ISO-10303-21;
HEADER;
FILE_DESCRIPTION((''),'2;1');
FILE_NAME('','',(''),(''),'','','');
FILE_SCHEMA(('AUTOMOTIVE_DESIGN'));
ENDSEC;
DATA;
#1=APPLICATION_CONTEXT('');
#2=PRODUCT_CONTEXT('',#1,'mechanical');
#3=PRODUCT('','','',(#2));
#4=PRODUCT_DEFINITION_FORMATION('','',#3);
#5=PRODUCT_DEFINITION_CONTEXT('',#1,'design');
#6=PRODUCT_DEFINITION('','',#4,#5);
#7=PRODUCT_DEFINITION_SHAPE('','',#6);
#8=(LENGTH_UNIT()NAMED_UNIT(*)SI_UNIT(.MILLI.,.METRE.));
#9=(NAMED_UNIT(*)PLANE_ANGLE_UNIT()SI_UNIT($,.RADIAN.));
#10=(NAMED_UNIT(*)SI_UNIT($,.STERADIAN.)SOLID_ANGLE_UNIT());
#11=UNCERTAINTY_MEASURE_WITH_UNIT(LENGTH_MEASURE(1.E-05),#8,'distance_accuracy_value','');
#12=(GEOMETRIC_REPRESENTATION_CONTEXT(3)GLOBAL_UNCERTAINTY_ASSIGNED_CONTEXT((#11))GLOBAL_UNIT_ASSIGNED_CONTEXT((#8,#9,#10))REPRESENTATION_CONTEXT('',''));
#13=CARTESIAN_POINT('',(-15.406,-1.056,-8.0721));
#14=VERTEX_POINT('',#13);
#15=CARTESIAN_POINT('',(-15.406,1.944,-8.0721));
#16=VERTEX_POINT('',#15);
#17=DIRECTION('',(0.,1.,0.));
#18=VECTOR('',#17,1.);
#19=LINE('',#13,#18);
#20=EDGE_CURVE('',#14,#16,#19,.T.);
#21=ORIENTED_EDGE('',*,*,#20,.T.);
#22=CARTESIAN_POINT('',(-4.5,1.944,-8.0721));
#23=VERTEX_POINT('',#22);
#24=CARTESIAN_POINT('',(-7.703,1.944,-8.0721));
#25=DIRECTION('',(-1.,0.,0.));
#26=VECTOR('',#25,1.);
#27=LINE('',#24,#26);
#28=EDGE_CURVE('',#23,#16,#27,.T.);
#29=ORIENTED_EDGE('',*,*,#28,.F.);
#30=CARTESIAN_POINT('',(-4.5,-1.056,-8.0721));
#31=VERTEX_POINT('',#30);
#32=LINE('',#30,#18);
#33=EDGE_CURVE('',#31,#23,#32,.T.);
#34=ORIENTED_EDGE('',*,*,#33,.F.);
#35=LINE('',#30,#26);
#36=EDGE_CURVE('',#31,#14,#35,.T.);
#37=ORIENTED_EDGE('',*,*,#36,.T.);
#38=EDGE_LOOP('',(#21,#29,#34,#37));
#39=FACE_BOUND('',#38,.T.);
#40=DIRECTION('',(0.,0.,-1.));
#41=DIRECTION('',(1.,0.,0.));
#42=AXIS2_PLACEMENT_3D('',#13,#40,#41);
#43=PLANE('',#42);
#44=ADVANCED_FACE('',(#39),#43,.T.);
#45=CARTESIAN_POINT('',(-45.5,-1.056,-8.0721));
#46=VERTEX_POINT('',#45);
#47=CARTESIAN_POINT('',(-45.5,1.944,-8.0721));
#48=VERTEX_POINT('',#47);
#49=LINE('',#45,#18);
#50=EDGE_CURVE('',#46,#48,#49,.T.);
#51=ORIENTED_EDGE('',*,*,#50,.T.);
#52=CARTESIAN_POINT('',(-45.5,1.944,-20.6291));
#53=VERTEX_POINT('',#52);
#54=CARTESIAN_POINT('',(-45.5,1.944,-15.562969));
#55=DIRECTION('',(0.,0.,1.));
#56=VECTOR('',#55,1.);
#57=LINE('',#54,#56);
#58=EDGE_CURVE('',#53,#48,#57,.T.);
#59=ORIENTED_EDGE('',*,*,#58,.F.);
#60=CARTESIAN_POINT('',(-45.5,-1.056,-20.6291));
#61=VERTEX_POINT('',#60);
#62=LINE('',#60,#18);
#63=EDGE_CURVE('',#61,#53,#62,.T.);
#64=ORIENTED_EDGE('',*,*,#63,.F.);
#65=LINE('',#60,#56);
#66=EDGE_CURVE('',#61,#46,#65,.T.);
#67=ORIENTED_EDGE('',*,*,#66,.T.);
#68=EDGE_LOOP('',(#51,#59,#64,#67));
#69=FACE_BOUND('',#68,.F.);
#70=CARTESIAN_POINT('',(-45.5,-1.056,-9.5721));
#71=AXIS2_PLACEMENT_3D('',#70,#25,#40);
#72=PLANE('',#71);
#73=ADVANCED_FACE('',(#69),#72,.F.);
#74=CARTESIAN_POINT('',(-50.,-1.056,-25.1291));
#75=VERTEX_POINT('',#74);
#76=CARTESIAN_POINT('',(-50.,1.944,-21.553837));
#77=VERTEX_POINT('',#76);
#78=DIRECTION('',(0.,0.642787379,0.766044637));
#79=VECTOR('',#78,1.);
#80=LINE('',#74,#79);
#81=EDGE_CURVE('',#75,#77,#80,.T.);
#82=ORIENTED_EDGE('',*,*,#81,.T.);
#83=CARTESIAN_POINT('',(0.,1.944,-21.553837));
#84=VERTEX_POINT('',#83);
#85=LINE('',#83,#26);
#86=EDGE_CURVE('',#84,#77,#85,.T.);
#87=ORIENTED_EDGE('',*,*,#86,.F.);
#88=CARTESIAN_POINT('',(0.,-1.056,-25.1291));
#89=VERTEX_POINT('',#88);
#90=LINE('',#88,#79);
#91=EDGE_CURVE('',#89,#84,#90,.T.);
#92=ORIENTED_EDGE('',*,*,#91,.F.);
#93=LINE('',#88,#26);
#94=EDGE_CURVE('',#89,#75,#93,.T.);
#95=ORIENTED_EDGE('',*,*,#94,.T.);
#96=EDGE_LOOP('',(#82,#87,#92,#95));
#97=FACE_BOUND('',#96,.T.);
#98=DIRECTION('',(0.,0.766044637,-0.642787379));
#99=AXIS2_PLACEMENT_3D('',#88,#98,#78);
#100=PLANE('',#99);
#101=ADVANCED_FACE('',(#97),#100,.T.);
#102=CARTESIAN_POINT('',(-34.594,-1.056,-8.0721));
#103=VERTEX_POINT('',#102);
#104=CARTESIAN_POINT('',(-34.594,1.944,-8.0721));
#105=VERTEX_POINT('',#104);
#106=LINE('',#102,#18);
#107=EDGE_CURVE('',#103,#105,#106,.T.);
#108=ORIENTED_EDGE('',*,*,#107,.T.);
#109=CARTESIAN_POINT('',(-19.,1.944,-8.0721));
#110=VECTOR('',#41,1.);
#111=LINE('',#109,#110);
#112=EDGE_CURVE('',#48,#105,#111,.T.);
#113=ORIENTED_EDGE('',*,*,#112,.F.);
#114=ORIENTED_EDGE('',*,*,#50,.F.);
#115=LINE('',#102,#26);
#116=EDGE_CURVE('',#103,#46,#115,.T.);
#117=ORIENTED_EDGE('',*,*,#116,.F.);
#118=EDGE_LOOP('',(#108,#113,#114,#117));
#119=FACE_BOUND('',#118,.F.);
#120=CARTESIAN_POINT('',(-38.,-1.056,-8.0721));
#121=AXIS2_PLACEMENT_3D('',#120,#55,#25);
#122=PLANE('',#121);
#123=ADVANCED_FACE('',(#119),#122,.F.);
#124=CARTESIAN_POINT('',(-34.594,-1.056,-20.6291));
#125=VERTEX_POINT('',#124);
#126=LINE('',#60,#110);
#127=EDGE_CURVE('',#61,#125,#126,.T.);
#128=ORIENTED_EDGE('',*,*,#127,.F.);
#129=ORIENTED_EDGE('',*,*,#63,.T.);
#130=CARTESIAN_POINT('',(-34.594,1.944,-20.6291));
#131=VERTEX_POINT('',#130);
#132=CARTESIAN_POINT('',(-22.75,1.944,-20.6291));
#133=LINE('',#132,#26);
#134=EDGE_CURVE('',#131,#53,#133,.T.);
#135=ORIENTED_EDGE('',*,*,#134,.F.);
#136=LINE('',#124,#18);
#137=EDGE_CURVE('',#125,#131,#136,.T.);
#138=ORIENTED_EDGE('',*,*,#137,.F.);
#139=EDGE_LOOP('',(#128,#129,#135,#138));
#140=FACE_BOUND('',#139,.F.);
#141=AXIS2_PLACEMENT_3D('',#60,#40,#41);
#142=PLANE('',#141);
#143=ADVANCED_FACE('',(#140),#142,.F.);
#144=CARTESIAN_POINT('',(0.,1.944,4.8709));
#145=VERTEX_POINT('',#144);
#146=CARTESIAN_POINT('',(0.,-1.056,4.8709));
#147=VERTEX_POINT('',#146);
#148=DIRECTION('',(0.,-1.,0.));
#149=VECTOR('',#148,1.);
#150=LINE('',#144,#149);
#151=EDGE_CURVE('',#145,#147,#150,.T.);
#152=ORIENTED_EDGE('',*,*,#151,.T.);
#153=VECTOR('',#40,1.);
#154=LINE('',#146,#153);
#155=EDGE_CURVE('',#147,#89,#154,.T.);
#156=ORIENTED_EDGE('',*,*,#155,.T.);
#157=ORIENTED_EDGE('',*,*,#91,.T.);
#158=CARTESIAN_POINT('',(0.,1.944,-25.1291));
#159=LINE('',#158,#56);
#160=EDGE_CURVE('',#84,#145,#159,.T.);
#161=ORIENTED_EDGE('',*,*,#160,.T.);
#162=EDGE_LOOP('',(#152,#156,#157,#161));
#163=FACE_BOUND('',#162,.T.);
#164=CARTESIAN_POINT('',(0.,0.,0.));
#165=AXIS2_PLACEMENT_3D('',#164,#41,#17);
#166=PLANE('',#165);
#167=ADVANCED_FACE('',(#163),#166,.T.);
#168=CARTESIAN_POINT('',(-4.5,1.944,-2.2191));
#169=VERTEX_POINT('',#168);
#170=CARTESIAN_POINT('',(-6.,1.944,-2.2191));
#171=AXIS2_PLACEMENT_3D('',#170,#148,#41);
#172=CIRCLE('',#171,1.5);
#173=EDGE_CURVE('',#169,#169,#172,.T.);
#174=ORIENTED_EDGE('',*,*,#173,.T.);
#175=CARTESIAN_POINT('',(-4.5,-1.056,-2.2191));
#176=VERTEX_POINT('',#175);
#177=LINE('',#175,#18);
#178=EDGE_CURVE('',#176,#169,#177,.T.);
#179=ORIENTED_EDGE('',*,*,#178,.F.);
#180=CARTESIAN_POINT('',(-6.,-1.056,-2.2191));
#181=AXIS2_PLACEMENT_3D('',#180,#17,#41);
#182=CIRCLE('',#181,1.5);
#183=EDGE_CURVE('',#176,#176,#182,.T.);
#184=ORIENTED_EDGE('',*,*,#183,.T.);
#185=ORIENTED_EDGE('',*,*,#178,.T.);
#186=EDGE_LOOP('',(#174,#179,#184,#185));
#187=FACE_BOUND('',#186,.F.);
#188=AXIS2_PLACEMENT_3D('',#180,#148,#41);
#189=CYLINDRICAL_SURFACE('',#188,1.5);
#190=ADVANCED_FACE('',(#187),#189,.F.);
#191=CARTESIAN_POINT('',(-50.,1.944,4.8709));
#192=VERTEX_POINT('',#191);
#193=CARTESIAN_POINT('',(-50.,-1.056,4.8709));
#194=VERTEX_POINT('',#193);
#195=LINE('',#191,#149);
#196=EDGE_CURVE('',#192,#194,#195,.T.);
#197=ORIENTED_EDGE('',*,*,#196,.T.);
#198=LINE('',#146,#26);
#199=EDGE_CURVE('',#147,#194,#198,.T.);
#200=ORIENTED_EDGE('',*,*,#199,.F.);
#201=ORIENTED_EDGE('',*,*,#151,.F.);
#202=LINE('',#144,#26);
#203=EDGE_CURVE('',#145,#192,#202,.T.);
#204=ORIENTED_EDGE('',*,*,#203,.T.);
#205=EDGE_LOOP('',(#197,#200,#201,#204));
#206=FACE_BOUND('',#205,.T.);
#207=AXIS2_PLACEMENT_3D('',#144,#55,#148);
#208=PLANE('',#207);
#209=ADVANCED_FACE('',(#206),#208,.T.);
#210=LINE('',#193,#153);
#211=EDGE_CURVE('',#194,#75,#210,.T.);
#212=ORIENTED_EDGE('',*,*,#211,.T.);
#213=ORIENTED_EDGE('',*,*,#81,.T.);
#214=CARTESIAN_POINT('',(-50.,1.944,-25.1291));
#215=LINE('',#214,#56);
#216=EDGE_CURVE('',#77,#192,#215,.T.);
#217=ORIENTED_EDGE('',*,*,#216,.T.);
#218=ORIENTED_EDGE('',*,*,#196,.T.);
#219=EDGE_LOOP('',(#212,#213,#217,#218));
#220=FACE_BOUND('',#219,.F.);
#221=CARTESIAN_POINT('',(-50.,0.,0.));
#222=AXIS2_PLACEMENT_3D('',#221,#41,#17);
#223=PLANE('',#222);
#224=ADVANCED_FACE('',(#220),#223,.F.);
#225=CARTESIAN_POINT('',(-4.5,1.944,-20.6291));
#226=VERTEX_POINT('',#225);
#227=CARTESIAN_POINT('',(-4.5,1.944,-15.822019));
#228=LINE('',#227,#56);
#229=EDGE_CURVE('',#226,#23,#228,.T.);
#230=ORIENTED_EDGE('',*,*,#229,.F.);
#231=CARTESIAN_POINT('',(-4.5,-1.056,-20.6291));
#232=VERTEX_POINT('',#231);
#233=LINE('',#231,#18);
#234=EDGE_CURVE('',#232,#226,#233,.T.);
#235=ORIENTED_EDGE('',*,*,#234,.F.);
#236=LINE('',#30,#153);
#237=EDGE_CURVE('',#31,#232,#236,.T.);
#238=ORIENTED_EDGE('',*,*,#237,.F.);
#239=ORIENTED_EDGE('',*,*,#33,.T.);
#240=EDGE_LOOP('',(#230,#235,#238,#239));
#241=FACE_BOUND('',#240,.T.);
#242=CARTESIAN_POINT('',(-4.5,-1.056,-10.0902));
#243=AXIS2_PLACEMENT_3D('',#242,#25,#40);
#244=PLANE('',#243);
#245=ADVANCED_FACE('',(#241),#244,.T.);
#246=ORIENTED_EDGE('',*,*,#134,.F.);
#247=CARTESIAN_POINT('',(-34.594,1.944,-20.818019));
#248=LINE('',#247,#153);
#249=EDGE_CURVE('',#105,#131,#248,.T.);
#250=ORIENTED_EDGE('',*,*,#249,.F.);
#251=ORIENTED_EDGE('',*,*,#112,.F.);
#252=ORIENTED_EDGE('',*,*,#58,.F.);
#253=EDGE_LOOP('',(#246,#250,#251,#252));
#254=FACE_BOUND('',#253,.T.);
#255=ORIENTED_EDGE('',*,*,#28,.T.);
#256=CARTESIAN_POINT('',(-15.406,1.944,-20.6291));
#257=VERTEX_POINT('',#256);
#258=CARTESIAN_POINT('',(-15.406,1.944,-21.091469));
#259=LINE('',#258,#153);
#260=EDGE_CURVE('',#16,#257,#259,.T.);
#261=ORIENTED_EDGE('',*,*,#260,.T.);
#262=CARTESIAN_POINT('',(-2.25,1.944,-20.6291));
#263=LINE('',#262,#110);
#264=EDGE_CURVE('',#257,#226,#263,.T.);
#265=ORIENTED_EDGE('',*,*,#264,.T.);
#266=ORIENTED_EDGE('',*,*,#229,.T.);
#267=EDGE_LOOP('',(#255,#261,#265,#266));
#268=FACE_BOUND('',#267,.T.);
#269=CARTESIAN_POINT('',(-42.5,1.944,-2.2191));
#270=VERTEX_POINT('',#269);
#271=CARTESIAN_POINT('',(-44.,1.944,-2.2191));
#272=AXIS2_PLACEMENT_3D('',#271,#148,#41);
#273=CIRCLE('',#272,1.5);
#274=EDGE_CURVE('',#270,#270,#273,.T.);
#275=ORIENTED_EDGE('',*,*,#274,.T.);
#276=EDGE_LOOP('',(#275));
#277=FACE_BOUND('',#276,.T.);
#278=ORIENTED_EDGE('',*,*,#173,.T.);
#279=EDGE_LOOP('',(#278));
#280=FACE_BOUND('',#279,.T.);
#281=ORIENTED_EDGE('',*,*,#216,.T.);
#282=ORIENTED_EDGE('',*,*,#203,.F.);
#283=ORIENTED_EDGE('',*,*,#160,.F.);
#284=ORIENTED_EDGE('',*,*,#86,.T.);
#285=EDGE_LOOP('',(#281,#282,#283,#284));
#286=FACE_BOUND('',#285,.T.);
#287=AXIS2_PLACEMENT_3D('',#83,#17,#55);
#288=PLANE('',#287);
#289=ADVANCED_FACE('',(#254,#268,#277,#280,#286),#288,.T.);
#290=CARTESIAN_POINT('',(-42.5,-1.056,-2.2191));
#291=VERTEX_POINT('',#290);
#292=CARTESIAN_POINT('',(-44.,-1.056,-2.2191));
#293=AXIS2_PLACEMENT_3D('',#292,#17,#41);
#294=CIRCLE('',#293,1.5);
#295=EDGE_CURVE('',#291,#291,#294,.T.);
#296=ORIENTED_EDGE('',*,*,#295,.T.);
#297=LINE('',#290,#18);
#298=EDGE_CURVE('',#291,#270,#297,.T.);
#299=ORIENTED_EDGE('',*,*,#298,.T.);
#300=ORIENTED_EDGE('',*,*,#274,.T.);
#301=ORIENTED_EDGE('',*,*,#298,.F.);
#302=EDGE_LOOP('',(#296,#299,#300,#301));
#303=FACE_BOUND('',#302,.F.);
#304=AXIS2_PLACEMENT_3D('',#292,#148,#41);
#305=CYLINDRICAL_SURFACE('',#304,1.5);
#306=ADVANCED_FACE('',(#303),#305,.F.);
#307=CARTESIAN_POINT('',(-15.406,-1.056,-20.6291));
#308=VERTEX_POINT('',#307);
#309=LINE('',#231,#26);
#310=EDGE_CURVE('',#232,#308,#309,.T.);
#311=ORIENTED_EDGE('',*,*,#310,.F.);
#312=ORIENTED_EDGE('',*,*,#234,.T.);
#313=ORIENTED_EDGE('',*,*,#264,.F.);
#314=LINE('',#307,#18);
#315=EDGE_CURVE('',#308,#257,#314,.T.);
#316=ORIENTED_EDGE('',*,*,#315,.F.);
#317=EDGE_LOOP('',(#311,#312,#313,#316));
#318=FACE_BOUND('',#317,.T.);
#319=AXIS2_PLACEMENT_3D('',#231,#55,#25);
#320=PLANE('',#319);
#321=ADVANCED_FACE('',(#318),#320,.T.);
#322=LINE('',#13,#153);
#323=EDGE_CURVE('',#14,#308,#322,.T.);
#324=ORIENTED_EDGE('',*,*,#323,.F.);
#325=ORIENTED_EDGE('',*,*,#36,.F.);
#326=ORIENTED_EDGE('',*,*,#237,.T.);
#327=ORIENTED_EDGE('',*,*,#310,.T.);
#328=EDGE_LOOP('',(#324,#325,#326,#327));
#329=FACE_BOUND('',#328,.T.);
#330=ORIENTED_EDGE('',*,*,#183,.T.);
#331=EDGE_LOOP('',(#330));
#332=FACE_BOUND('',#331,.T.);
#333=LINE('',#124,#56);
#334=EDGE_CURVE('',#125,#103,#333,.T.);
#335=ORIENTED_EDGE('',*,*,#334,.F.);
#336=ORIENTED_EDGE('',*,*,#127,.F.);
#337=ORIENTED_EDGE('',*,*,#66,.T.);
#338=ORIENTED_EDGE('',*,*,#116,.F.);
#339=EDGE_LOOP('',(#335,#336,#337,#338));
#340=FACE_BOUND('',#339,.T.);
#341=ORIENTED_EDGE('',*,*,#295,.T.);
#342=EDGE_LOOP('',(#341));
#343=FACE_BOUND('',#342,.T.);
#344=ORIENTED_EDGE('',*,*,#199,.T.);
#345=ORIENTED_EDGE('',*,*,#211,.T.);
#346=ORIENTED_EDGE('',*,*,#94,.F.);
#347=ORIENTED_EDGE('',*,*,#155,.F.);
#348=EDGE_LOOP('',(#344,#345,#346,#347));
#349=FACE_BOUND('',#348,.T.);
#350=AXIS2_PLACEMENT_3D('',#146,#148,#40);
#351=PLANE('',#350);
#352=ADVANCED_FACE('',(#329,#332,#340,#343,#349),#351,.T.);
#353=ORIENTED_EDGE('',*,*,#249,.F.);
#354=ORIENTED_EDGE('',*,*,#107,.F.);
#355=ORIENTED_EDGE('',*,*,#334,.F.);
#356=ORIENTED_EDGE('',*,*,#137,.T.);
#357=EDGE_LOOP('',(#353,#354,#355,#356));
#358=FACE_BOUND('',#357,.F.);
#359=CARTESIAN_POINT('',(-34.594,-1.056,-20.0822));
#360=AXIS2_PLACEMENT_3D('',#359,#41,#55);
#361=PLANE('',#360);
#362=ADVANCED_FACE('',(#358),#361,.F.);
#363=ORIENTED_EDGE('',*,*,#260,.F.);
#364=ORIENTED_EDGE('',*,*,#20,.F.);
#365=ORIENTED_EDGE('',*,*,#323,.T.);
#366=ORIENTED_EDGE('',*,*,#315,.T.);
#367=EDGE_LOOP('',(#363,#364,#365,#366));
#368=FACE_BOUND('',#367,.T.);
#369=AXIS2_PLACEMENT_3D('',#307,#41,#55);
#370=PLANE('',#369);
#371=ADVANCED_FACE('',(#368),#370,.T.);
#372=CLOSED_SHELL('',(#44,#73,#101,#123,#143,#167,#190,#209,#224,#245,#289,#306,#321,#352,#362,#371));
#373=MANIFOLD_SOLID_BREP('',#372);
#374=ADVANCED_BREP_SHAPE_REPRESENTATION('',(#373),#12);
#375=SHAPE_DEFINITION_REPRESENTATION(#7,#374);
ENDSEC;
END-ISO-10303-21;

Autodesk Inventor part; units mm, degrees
ref_plane "YZ Plane" through (0, 0, 0) normal (1, 0, 0) x (0, 1, 0)
ref_plane "XZ Plane" through (0, 0, 0) normal (0, 1, 0) x (-1, 0, 0)
ref_plane "XY Plane" through (0, 0, 0) normal (0, 0, 1) x (1, 0, 0)
sketch "Sketch1" plane through (0, 0, 0) normal (1, 0, 0) x (0, 1, 0)
  line L0 (1.944, 4.8709) -> (-1.056, 4.8709)
  line L1 (-1.056, 4.8709) -> (-1.056, -25.1291)
  line L2 (-1.056, -25.1291) -> (1.944, -25.1291)
  line L3 (1.944, -25.1291) -> (1.944, 4.8709)
  line L4 (-1.056, -25.1291) -> (9.6963, -12.315)
  point P0 (0, 0)
  point P1 (1.944, -21.5539)
  dimension "d0" = 3
  dimension "d1" = 30
  dimension "d2" = 40
extrude "Extrusion1" add sketch "Sketch1" against normal blind 50 contours L3 L4 L1 L0
sketch "Szkic2" plane through (0, -1.056, -25.1291) normal (0, -1, 0) x (1, 0, 0)
  line L0 (0, 30) -> (0, 0)
  line L1 (0, 30) -> (-50, 30)
  line L2 (-50, 0) -> (-50, 30)
  line L3 (0, 0) -> (-50, 0)
  line L4 (-35.094, 16.557) -> (-35.094, 5.254)
  line L5 (-45, 5) -> (-35.348, 5)
  line L6 (-45, 5) -> (-45, 16.43)
  line L7 (-44.873, 16.557) -> (-35.094, 16.557)
  circle A0 centre (-39.92, 11.35) radius 1
  line L8 (-25, 0) -> (-25, 30)
  line L9 (-35.094, 5.254) -> (-35.348, 5)
  line L10 (-45.5, 16.43) -> (-45.5, 4.5)
  line L11 (-45.5, 4.5) -> (-35.1409, 4.5)
  line L12 (-34.594, 5.0469) -> (-34.594, 17.057)
  line L13 (-34.594, 17.057) -> (-44.873, 17.057)
  line L14 (-35.1409, 4.5) -> (-35.094, 4.5469)
  line L15 (-34.6409, 5) -> (-34.594, 5.0469)
  line L16 (-45.5, 4.5) -> (-34.594, 4.5)
  line L17 (-34.594, 4.5) -> (-34.594, 17.057)
  line L18 (-34.594, 17.057) -> (-45.5, 17.057)
  line L19 (-45.5, 17.057) -> (-45.5, 4.5)
  circle A1 centre (-10.08, 11.35) radius 1
  line L20 (-4.5, 16.43) -> (-4.5, 4.5)
  line L21 (-4.5, 4.5) -> (-14.8591, 4.5)
  line L22 (-15.406, 5.0469) -> (-15.406, 17.057)
  line L23 (-15.406, 17.057) -> (-5.127, 17.057)
  line L24 (-4.5, 4.5) -> (-15.406, 4.5)
  line L25 (-15.406, 4.5) -> (-15.406, 17.057)
  line L26 (-15.406, 17.057) -> (-4.5, 17.057)
  line L27 (-4.5, 17.057) -> (-4.5, 4.5)
  line L28 (0, 4.1492) -> (-50, 4.1492)
  line L29 (-50, 4.1492) -> (-50, 27.66)
  line L30 (-36.5, 27.66) -> (-50, 27.66)
  line L31 (-36.5, 27.66) -> (-36.5, 17.057)
  line L32 (-26.5, 4.66) -> (-36.5, 4.66)
  line L33 (-26.5, 4.66) -> (-26.5, 34.4086)
  line L34 (-23.5, 34.4086) -> (-23.5, 4.66)
  line L35 (-13.5, 4.66) -> (-23.5, 4.66)
  line L36 (-13.5, 4.66) -> (-13.5, 13.5389)
  line L37 (0, 27.66) -> (-13.5, 27.66)
  line L38 (0, 4.1492) -> (0, 27.66)
  line L39 (-50, 4.1492) -> (-44, 4.1492)
  line L40 (-44, 27.66) -> (-50, 27.66)
  line L41 (-50, 27.66) -> (-50, 4.1492)
  line L42 (-50, 27.66) -> (-36.5, 27.66)
  line L43 (-36.5, 27.66) -> (-36.5, 24.66)
  line L44 (-50, 24.66) -> (-50, 27.66)
  circle A2 centre (-10.08, 11.35) radius 1
  circle A3 centre (-39.92, 11.35) radius 1
  line L45 (-6, 27.66) -> (-6, 22.91)
  line L46 (-44, 27.66) -> (-44, 22.91)
  circle A4 centre (-6, 22.91) radius 1.5
  circle A5 centre (-44, 22.91) radius 1.5
  circle A6 centre (-6, 22.91) radius 1.75
  circle A7 centre (-44, 22.91) radius 1.75
  line L47 (-12.975, 17.057) -> (-13.5, 17.057)
  line L48 (-36.5, 17.057) -> (-37.0252, 17.057)
  line L49 (-45.5, 15.557) -> (-45.5, 15.0389)
  line L50 (-37.0252, 13.5389) -> (-36.5, 13.5389)
  line L51 (-36.5, 13.5389) -> (-36.5, 4.66)
  line L52 (-13.5, 13.5389) -> (-12.975, 13.5389)
  line L53 (-4.5, 15.0389) -> (-4.5, 15.557)
  arc A8 (-12, 17.057) -> (-12.975, 16.6969) centre (-12, 15.557) ccw
  line L54 (-12.975, 16.6969) -> (-12.975, 17.057)
  line L55 (-37.0252, 16.697) -> (-37.0252, 17.057)
  arc A9 (-37.0252, 16.697) -> (-38, 17.057) centre (-38, 15.557) ccw
  arc A10 (-44, 17.057) -> (-45.5, 15.557) centre (-44, 15.557) ccw
  arc A11 (-45.5, 15.0389) -> (-44, 13.5389) centre (-44, 15.0389) ccw
  arc A12 (-38, 13.5389) -> (-37.0252, 13.8988) centre (-38, 15.0389) ccw
  line L56 (-37.0252, 13.8988) -> (-37.0252, 13.5389)
  line L57 (-12.975, 13.899) -> (-12.975, 13.5389)
  arc A13 (-12.975, 13.899) -> (-12, 13.5389) centre (-12, 15.0389) ccw
  line L58 (-12, 13.5389) -> (-6, 13.5389)
  arc A14 (-6, 13.5389) -> (-4.5, 15.0389) centre (-6, 15.0389) ccw
  arc A15 (-4.5, 15.557) -> (-6, 17.057) centre (-6, 15.557) ccw
  line L59 (-6, 17.057) -> (-12, 17.057)
  line L60 (-38, 17.057) -> (-44, 17.057)
  line L61 (-44, 13.5389) -> (-38, 13.5389)
  arc A16 (-26.5, 34.4086) -> (-23.5, 34.4086) centre (-25, 35.31) ccw
  line L62 (-13.5, 17.057) -> (-13.5, 27.66)
  point P0 (0, 25.1291)
  point P1 (-45.5, 13.5389)
  point P2 (-4.5, 13.5389)
extrude "Wyciągnięcie proste2" cut sketch "Szkic2" against normal through all contours L35 L36 L52 L57 A13 L58 A14 L20 L21 L24 L25 | L25 L22 L23 L54 A8 A15 L20 A14 L58 A13 L57 L52 L36 L35 | L23 A8 L54 | L32 L51 L50 L56 A12 L61 A11 L10 A10 L13 A9 L55 L12 L17 | L17 L16 L11 L10 A11 L6 L5 L51 L32 | L23 L26 L27 L20 A15 | L5 L6 A11 L61 A12 L56 L50 L51 | L55 A9 L13 | L10 L19 L18 L13 A10 | A0 | A1
sketch "Szkic3" plane through (0, -1.056, -25.1291) normal (0, -1, 0) x (1, 0, 0)
  line L0 (-4.5, 17.057) -> (-4.5, 4.5) projected
  line L1 (-4.5, 4.5) -> (-15.406, 4.5) projected
  line L2 (-15.406, 4.5) -> (-15.406, 17.057) projected
  line L3 (-15.406, 17.057) -> (-4.5, 17.057) projected
  line L4 (-34.594, 17.057) -> (-34.594, 4.5) projected
  line L5 (-34.594, 4.5) -> (-45.5, 4.5) projected
  line L6 (-45.5, 4.5) -> (-45.5, 17.057) projected
  line L7 (-45.5, 17.057) -> (-34.594, 17.057) projected
  line L8 (0, 30) -> (0, 0) projected
  line L9 (0, 30) -> (-50, 30) projected
  line L10 (-50, 0) -> (-50, 30) projected
  line L11 (0, 0) -> (-50, 0) projected
  circle A0 centre (-44, 24.66) radius 1.75 projected
  circle A1 centre (-10.08, 11.35) radius 1 projected
  circle A2 centre (-39.92, 11.35) radius 1 projected
  line L12 (0, 4.1492) -> (-50, 4.1492) projected
  line L13 (-50, 4.1492) -> (-50, 27.66) projected
  line L14 (-36.5, 27.66) -> (-50, 27.66) projected
  line L15 (-36.5, 27.66) -> (-36.5, 17.057) projected
  line L16 (-26.5, 4.66) -> (-36.5, 4.66) projected
  line L17 (-26.5, 4.66) -> (-26.5, 34.4086) projected
  line L18 (-23.5, 34.4086) -> (-23.5, 4.66) projected
  line L19 (-13.5, 4.66) -> (-23.5, 4.66) projected
  line L20 (-13.5, 4.66) -> (-13.5, 13.5389) projected
  line L21 (0, 27.66) -> (-13.5, 27.66) projected
  line L22 (0, 4.1492) -> (0, 27.66) projected
  line L23 (-44, 27.66) -> (-44, 22.91)
  line L24 (-6, 27.66) -> (-6, 22.91)
  circle A3 centre (-44, 22.91) radius 1.5
  circle A4 centre (-6, 22.91) radius 1.5
  circle A5 centre (-6, 22.91) radius 1.75 projected
  circle A6 centre (-44, 22.91) radius 1.75 projected
  line L25 (-12.975, 17.057) -> (-13.5, 17.057) projected
  line L26 (-36.5, 17.057) -> (-37.0252, 17.057) projected
  line L27 (-45.5, 15.557) -> (-45.5, 15.0389) projected
  line L28 (-37.0252, 13.5389) -> (-36.5, 13.5389) projected
  line L29 (-36.5, 13.5389) -> (-36.5, 4.66) projected
  line L30 (-13.5, 13.5389) -> (-12.975, 13.5389) projected
  line L31 (-4.5, 15.0389) -> (-4.5, 15.557) projected
  arc A7 (-12, 17.057) -> (-12.975, 16.6969) centre (-12, 15.557) ccw projected
  line L32 (-12.975, 16.6969) -> (-12.975, 17.057) projected
  line L33 (-37.0252, 16.697) -> (-37.0252, 17.057) projected
  arc A8 (-37.0252, 16.697) -> (-38, 17.057) centre (-38, 15.557) ccw projected
  arc A9 (-44, 17.057) -> (-45.5, 15.557) centre (-44, 15.557) ccw projected
  arc A10 (-45.5, 15.0389) -> (-44, 13.5389) centre (-44, 15.0389) ccw projected
  arc A11 (-38, 13.5389) -> (-37.0252, 13.8988) centre (-38, 15.0389) ccw projected
  line L34 (-37.0252, 13.8988) -> (-37.0252, 13.5389) projected
  line L35 (-12.975, 13.899) -> (-12.975, 13.5389) projected
  arc A12 (-12.975, 13.899) -> (-12, 13.5389) centre (-12, 15.0389) ccw projected
  line L36 (-12, 13.5389) -> (-6, 13.5389) projected
  arc A13 (-6, 13.5389) -> (-4.5, 15.0389) centre (-6, 15.0389) ccw projected
  arc A14 (-4.5, 15.557) -> (-6, 17.057) centre (-6, 15.557) ccw projected
  line L37 (-6, 17.057) -> (-12, 17.057) projected
  line L38 (-38, 17.057) -> (-44, 17.057) projected
  line L39 (-44, 13.5389) -> (-38, 13.5389) projected
  arc A15 (-26.5, 34.4086) -> (-23.5, 34.4086) centre (-25, 35.31) ccw projected
  line L40 (-13.5, 17.057) -> (-13.5, 27.66) projected
  point P0 (0, 25.1291)
  point P1 (-45.5, 13.5389)
  point P2 (-4.5, 13.5389)
  dimension "d13" = 3
  dimension "d14" = 3
extrude "Wyciągnięcie proste3" cut sketch "Szkic3" against normal through all contours A4 | A3 L23 A0 | A0 A3 | A3 A0 L23
properties part number "nozz" material "Stal nierdzewna"
